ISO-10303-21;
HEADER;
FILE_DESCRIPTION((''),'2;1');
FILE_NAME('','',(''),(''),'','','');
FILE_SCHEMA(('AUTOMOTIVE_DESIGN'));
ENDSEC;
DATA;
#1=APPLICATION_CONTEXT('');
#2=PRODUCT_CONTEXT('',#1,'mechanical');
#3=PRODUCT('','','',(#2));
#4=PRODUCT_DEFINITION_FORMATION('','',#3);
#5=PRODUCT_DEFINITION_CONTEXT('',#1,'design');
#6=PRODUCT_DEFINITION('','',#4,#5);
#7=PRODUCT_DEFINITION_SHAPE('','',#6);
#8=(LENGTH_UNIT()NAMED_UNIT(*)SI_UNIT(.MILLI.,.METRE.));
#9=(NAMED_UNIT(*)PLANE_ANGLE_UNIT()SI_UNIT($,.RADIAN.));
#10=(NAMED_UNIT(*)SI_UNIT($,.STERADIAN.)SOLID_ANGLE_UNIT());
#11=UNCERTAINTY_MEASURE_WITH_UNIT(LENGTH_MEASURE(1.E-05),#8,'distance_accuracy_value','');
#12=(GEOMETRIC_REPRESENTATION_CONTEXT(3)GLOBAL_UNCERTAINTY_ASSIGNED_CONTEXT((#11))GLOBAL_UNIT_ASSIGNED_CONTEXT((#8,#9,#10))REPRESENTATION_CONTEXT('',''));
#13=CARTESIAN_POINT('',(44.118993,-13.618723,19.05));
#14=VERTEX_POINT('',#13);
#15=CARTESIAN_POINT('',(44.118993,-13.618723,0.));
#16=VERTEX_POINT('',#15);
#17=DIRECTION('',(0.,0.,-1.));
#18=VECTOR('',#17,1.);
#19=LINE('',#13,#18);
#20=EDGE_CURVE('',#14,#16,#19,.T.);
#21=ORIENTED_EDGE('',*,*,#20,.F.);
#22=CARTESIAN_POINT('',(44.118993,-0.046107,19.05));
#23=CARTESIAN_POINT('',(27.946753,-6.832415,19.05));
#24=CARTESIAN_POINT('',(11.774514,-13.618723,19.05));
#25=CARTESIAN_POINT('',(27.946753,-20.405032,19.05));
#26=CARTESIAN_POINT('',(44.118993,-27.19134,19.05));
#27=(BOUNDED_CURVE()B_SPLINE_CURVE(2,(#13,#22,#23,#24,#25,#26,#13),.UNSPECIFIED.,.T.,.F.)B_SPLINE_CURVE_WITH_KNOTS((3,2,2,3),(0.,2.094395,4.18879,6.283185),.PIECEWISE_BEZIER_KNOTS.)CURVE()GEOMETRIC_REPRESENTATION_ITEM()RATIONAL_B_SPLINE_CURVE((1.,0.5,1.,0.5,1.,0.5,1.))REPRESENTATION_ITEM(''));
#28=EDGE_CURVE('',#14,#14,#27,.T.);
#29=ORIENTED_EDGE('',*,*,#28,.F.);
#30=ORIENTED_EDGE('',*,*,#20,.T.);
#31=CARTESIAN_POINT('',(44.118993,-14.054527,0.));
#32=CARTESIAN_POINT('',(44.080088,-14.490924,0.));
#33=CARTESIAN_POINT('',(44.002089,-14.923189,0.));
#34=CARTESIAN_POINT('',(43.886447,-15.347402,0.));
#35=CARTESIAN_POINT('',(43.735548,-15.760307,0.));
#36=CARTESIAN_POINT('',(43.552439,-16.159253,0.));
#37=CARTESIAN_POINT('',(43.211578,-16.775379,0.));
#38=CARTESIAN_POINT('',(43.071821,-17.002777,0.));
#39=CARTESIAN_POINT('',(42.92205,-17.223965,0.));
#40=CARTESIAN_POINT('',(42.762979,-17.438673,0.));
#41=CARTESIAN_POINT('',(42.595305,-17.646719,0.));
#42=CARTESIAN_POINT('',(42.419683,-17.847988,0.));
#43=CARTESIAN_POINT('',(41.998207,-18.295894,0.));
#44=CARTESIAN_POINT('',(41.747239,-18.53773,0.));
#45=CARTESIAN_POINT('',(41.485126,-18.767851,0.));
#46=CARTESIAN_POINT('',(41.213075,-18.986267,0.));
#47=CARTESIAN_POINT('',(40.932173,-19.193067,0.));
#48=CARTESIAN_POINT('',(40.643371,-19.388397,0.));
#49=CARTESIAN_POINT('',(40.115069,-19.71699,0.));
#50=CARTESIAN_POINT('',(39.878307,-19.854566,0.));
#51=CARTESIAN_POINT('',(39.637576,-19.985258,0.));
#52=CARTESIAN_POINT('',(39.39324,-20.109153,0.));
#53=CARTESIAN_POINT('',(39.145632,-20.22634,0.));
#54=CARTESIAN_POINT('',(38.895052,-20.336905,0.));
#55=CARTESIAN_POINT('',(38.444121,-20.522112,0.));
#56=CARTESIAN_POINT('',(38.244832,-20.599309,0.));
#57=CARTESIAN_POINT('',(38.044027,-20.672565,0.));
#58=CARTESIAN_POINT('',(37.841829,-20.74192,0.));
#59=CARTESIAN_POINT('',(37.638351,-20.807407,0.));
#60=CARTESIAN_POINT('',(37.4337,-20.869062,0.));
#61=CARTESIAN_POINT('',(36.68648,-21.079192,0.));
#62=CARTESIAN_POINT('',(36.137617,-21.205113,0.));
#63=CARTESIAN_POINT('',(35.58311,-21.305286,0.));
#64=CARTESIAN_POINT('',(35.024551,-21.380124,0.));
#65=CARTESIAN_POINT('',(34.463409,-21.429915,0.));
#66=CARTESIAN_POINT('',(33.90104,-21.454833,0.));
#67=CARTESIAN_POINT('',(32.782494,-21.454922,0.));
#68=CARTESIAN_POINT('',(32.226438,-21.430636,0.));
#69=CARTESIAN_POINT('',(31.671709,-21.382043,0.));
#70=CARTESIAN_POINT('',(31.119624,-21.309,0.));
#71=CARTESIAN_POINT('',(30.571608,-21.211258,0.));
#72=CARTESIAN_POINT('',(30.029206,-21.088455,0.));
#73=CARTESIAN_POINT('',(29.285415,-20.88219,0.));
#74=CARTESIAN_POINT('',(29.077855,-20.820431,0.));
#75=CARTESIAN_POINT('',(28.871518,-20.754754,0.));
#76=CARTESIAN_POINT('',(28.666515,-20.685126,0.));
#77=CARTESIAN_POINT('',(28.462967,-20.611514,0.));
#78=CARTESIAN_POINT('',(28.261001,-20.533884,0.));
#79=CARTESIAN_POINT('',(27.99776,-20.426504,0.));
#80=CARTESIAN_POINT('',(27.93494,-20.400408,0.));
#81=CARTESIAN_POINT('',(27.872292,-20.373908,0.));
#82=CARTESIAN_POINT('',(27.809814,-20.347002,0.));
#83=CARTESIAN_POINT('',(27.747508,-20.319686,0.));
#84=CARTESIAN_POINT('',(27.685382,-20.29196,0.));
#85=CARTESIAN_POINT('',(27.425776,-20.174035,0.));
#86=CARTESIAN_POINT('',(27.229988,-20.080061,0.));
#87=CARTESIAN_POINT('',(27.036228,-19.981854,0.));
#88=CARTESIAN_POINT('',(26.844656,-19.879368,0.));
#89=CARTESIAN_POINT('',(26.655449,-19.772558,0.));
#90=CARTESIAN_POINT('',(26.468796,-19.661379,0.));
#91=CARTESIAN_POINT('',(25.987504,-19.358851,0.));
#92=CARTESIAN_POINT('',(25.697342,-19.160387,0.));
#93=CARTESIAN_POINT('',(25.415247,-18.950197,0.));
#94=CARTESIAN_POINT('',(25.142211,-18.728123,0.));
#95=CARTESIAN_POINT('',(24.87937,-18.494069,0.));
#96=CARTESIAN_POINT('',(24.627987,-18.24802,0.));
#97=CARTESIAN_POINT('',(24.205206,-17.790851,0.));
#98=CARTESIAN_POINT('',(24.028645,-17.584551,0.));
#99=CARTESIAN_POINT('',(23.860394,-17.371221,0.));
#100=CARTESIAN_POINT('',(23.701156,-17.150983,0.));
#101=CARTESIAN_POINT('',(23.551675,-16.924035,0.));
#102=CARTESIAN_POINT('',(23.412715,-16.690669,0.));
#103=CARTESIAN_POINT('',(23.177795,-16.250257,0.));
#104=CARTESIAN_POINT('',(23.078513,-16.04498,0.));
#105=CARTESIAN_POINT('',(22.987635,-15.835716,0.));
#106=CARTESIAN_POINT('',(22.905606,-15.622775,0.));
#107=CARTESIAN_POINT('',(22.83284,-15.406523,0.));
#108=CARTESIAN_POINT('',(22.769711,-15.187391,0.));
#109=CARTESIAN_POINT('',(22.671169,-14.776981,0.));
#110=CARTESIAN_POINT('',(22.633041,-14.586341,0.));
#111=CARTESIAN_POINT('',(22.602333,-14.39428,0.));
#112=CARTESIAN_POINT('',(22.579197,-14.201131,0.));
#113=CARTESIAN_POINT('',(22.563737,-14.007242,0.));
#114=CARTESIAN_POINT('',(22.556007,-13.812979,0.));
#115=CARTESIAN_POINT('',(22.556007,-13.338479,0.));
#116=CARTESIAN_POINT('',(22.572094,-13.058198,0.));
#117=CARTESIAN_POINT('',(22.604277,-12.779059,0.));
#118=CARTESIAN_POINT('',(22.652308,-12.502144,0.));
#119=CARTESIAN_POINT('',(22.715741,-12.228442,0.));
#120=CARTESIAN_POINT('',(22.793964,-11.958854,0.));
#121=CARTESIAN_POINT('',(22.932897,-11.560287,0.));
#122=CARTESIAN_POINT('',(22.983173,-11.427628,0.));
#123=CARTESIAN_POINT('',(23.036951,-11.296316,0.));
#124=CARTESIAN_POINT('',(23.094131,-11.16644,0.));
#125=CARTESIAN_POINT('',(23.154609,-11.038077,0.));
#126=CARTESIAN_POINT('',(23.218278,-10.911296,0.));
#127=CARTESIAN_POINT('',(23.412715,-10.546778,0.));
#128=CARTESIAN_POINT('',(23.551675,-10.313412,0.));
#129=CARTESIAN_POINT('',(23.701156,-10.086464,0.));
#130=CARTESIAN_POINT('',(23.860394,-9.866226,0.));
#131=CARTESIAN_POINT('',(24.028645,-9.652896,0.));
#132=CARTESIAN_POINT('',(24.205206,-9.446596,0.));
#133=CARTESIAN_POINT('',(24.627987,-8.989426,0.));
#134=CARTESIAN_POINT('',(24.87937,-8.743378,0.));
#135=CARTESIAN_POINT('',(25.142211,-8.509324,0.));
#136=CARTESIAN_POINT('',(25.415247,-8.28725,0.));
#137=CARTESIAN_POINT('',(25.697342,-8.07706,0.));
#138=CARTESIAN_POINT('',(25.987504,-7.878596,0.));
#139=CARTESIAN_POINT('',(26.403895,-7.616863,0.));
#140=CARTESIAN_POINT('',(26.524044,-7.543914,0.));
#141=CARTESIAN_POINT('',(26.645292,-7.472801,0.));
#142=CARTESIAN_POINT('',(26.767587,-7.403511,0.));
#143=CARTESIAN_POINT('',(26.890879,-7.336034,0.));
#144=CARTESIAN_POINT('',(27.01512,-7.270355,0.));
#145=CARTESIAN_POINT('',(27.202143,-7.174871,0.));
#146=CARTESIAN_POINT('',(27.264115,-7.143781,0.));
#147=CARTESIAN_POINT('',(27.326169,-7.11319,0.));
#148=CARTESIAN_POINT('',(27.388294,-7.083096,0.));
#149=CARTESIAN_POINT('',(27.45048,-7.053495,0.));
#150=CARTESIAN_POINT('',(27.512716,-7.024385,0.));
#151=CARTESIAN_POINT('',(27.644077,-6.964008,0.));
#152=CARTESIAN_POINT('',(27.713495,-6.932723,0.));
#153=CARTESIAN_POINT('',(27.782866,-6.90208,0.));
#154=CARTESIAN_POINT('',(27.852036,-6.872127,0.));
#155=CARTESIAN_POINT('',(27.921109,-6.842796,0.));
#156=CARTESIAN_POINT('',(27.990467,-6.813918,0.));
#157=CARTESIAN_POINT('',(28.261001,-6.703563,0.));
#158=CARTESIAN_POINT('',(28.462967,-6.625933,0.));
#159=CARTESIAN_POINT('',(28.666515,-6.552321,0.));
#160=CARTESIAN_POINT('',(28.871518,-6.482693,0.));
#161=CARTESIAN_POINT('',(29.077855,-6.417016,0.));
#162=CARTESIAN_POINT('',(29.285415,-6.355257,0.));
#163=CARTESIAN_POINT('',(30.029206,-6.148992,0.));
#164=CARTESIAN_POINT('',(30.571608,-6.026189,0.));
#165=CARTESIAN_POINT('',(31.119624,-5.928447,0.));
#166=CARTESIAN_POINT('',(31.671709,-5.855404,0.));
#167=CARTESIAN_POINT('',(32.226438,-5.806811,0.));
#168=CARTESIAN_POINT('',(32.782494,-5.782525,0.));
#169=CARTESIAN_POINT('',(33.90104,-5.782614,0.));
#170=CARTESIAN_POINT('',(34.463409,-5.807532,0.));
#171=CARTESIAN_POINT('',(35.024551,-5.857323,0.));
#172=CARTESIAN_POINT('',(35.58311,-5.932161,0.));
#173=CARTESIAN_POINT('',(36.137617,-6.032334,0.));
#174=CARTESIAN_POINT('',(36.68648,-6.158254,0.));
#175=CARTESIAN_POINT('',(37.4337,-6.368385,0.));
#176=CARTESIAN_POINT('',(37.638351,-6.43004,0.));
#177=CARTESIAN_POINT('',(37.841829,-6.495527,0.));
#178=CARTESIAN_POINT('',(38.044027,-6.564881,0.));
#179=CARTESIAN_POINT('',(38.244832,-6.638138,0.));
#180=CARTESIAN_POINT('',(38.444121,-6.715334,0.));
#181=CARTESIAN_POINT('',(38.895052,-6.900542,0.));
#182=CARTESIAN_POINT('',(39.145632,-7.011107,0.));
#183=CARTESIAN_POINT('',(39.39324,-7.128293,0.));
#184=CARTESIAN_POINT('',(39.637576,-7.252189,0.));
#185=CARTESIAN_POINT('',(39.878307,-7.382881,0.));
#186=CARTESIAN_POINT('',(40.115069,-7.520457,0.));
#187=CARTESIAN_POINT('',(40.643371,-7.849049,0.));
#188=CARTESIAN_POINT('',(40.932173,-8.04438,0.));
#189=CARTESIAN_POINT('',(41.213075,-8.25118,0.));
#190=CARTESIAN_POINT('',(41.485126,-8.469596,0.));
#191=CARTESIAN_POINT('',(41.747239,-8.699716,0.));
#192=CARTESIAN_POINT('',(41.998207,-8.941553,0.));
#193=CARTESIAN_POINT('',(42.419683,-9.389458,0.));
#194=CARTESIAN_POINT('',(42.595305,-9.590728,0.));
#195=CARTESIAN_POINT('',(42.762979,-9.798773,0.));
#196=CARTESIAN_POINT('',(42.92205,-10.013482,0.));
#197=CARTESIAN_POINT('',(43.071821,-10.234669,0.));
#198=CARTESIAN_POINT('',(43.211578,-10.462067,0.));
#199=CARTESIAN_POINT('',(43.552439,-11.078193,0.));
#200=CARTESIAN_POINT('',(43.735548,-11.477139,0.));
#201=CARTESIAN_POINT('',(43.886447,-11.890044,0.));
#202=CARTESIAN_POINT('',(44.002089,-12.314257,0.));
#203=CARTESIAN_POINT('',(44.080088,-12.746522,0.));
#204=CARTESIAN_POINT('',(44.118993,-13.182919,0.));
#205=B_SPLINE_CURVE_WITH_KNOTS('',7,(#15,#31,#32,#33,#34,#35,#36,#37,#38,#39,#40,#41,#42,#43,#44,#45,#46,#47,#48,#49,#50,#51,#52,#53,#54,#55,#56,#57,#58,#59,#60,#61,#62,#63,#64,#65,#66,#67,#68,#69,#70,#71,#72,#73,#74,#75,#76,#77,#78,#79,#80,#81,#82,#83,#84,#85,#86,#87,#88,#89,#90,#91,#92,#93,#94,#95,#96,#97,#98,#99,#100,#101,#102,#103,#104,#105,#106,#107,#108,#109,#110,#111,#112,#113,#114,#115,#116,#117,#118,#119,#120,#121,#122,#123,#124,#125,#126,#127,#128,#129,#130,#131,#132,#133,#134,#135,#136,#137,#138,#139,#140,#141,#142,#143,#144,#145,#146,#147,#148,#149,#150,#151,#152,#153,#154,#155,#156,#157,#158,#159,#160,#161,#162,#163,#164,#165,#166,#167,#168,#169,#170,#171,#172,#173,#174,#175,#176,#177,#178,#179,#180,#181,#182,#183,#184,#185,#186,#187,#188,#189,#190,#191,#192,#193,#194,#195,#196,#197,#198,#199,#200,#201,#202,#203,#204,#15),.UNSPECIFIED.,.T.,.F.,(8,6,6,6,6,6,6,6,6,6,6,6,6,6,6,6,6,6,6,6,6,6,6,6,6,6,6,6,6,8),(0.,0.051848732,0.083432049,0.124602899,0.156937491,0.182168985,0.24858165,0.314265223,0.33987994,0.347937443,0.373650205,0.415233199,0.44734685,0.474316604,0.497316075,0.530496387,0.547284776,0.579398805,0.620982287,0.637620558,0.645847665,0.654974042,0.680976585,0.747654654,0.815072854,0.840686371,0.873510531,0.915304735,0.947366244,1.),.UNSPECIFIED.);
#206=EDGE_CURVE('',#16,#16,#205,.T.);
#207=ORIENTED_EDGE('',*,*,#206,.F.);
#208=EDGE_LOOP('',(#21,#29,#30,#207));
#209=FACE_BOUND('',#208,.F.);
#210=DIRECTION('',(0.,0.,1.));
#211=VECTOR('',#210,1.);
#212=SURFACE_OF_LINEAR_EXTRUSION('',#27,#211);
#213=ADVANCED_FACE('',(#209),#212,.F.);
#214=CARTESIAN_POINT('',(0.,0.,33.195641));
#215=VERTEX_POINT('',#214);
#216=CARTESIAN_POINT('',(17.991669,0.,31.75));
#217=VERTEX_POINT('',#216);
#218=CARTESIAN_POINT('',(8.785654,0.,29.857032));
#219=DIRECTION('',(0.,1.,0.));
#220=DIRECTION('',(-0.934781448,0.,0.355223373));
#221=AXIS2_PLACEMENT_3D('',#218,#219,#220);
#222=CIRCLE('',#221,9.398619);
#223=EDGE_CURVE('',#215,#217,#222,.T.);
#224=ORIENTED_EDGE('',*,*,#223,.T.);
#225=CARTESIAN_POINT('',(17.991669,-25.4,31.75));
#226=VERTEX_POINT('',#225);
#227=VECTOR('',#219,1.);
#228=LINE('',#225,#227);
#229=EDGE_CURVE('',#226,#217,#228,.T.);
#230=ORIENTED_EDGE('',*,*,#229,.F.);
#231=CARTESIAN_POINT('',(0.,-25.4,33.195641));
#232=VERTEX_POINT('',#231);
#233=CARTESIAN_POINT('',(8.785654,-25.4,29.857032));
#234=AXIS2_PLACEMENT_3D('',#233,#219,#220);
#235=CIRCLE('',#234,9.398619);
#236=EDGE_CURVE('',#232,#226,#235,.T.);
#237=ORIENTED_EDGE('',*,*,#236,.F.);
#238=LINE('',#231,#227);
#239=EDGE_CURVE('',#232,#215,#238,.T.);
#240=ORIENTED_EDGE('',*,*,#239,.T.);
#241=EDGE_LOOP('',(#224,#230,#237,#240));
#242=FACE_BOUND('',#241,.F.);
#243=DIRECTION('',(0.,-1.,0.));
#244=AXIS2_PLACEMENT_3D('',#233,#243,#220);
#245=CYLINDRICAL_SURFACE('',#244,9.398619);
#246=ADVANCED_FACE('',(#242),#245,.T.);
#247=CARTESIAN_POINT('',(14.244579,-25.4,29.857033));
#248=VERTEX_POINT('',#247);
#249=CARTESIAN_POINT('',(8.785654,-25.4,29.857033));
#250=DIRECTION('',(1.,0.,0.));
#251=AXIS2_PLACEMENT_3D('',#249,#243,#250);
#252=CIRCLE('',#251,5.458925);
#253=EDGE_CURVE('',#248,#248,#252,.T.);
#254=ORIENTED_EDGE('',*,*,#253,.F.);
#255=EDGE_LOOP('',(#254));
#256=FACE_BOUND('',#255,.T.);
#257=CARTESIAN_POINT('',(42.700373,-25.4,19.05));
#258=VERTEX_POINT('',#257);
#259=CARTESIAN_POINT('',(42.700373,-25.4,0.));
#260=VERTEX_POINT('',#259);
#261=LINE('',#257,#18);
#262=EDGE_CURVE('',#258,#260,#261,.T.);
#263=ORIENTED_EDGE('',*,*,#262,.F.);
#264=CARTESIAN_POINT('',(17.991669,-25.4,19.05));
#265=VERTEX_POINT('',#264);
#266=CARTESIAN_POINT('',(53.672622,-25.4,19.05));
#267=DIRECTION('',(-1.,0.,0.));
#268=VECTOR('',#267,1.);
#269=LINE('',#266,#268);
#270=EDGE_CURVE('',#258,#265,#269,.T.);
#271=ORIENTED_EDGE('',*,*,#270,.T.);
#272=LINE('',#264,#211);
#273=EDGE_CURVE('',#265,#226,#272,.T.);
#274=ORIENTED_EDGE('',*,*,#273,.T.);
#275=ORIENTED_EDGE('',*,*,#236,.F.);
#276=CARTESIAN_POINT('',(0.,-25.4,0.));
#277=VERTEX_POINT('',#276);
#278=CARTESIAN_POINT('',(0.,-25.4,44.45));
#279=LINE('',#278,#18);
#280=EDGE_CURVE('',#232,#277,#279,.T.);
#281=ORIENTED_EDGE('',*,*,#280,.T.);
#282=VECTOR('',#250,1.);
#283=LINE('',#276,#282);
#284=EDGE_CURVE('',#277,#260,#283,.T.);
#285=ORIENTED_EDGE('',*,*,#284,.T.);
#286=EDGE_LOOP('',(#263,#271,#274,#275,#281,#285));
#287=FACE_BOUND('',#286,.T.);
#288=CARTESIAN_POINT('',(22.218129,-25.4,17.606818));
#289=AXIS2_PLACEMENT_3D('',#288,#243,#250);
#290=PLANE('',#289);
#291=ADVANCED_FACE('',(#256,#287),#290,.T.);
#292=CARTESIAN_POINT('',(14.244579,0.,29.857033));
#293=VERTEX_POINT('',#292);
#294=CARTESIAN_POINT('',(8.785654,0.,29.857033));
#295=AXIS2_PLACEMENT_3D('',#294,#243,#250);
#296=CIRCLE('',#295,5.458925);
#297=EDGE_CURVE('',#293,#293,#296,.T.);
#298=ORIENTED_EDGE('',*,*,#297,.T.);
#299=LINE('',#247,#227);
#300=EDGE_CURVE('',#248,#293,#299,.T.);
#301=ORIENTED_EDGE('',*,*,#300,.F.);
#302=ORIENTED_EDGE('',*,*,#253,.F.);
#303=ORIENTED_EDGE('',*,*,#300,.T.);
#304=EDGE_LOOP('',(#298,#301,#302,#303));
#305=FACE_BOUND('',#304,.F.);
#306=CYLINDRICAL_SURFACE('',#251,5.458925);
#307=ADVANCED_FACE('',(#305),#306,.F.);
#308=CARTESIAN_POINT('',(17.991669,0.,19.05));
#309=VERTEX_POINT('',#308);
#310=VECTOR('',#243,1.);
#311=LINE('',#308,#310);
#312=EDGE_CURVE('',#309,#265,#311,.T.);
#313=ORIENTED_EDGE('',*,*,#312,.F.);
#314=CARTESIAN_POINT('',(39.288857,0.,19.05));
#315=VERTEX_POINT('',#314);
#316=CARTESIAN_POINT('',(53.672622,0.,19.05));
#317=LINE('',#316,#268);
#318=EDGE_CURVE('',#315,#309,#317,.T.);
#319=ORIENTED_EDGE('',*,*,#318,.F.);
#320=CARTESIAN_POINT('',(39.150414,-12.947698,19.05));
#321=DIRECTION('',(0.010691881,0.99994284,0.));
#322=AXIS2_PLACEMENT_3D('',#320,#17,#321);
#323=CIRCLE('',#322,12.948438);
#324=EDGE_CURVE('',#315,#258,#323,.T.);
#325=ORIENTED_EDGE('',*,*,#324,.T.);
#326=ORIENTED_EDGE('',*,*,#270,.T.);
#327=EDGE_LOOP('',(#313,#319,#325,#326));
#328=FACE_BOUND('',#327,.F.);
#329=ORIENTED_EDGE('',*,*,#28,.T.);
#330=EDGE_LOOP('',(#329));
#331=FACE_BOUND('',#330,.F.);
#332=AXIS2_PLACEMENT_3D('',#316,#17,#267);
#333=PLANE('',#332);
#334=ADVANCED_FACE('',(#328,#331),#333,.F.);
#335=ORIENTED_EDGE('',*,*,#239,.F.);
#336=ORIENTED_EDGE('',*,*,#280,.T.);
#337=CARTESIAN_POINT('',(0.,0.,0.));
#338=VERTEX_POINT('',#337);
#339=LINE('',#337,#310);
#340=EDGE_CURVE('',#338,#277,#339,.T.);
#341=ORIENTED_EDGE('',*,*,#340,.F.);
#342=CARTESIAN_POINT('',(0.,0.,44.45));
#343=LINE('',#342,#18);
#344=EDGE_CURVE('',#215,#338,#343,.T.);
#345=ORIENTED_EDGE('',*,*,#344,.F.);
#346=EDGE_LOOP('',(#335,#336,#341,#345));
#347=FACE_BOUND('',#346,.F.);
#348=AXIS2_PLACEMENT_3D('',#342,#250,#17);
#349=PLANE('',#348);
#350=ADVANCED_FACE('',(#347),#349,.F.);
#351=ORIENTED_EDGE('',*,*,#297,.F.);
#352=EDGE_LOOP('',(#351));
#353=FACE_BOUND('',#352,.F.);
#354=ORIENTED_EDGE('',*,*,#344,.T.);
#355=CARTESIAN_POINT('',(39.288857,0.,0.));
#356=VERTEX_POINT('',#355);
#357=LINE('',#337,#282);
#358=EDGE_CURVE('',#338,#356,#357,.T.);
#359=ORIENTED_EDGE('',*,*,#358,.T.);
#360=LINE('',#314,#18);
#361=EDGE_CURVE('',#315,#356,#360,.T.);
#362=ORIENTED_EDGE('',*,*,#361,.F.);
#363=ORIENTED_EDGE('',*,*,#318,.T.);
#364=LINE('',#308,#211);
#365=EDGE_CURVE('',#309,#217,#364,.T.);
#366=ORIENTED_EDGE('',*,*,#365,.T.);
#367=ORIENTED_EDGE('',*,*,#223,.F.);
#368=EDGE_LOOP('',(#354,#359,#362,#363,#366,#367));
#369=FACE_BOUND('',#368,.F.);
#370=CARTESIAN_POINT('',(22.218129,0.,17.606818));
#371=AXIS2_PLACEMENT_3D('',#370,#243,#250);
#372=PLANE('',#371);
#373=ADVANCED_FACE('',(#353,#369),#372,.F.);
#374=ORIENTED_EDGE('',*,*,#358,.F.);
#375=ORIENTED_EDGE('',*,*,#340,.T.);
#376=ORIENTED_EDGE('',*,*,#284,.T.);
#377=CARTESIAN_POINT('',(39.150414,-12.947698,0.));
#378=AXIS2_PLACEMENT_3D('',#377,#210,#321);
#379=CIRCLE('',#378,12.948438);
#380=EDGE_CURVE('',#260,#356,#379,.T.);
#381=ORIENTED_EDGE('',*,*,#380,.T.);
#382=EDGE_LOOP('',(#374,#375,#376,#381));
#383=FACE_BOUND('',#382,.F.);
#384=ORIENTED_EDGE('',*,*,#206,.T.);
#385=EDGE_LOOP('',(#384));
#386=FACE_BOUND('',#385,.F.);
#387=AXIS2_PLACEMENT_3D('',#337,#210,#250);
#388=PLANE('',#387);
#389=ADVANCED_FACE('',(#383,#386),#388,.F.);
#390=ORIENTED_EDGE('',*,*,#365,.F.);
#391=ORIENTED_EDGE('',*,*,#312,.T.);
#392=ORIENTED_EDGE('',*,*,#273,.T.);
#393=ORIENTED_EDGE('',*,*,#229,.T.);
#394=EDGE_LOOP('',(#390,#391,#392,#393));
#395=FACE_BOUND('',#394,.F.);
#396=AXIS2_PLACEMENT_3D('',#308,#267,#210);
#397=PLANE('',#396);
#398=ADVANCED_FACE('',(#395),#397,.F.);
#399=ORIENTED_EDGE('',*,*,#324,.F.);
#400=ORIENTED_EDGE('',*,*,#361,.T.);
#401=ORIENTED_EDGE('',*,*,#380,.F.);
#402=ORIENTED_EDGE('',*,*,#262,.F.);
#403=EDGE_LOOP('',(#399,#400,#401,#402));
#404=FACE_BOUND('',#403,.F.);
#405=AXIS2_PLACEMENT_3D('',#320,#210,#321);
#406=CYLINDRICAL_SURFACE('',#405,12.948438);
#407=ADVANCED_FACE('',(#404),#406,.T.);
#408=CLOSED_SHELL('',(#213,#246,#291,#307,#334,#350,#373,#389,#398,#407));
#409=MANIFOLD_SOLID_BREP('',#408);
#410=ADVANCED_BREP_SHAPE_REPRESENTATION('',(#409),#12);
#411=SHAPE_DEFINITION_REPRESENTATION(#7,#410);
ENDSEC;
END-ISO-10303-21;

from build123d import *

# Parameters (mm, degrees)
F1_DEPTH = 25.4
F3_DEPTH = 25.4
F5_DEPTH = 25.4
F6_R     = 5.458925
F7_DEPTH = 25.4
F9_DEPTH = 25.4


with BuildPart() as f1:
    # F0 (on Front) → F1 (new body)
    with BuildSketch(Plane.XZ):
        Polygon((0, 44.45), (0, 0), (53.672622, 0), (53.672622, 19.05), (17.991669, 19.05), (17.991669, 44.45), align=None)
    extrude(amount=F1_DEPTH)

    # F2 (on face) → F3 (cut)
    with BuildSketch(Plane.XZ.offset(25.4)):
        with BuildLine():
            ThreePointArc((0, 33.195641), (9.538413, 39.225457), (17.991669, 31.75))
            Line((17.991669, 31.75), (17.991669, 44.45))
            Line((17.991669, 44.45), (0, 44.45))
            Line((0, 44.45), (0, 33.195641))
        make_face()
    extrude(amount=-F3_DEPTH, mode=Mode.SUBTRACT)

    # F4 (on face) → F5 (cut)
    with BuildSketch(Plane.XY.offset(19.05)):
        with BuildLine():
            ThreePointArc((39.288857, 0), (51.983616, -11.224049), (42.700373, -25.4))
            Line((42.700373, -25.4), (53.672622, -25.4))
            Line((53.672622, -25.4), (53.672622, 0))
            Line((53.672622, 0), (39.288857, 0))
        make_face()
    extrude(amount=-F5_DEPTH, mode=Mode.SUBTRACT)

    # F6 (on face) → F7 (cut)
    with BuildSketch(Plane.XZ.offset(25.4)):
        with Locations((8.785654, 29.857033)):
            Circle(F6_R)
    extrude(amount=-F7_DEPTH, mode=Mode.SUBTRACT)

    # F8 (on face) → F9 (cut)
    with BuildSketch(Plane.XY.offset(19.05)):
        with BuildLine():
            add(Edge.make_bspline(
                [(44.118993, -13.618723), (44.118993, -0.046107), (27.946753, -6.832415), (11.774514, -13.618723), (27.946753, -20.405032), (44.118993, -27.19134), (44.118993, -13.618723)],
                knots=[0, 0, 0, 2.094395, 2.094395, 4.18879, 4.18879, 6.283185, 6.283185, 6.283185], degree=2, weights=[1, 0.5, 1, 0.5, 1, 0.5, 1]))
        make_face()
    extrude(amount=-F9_DEPTH, mode=Mode.SUBTRACT)


solid = f1.part
